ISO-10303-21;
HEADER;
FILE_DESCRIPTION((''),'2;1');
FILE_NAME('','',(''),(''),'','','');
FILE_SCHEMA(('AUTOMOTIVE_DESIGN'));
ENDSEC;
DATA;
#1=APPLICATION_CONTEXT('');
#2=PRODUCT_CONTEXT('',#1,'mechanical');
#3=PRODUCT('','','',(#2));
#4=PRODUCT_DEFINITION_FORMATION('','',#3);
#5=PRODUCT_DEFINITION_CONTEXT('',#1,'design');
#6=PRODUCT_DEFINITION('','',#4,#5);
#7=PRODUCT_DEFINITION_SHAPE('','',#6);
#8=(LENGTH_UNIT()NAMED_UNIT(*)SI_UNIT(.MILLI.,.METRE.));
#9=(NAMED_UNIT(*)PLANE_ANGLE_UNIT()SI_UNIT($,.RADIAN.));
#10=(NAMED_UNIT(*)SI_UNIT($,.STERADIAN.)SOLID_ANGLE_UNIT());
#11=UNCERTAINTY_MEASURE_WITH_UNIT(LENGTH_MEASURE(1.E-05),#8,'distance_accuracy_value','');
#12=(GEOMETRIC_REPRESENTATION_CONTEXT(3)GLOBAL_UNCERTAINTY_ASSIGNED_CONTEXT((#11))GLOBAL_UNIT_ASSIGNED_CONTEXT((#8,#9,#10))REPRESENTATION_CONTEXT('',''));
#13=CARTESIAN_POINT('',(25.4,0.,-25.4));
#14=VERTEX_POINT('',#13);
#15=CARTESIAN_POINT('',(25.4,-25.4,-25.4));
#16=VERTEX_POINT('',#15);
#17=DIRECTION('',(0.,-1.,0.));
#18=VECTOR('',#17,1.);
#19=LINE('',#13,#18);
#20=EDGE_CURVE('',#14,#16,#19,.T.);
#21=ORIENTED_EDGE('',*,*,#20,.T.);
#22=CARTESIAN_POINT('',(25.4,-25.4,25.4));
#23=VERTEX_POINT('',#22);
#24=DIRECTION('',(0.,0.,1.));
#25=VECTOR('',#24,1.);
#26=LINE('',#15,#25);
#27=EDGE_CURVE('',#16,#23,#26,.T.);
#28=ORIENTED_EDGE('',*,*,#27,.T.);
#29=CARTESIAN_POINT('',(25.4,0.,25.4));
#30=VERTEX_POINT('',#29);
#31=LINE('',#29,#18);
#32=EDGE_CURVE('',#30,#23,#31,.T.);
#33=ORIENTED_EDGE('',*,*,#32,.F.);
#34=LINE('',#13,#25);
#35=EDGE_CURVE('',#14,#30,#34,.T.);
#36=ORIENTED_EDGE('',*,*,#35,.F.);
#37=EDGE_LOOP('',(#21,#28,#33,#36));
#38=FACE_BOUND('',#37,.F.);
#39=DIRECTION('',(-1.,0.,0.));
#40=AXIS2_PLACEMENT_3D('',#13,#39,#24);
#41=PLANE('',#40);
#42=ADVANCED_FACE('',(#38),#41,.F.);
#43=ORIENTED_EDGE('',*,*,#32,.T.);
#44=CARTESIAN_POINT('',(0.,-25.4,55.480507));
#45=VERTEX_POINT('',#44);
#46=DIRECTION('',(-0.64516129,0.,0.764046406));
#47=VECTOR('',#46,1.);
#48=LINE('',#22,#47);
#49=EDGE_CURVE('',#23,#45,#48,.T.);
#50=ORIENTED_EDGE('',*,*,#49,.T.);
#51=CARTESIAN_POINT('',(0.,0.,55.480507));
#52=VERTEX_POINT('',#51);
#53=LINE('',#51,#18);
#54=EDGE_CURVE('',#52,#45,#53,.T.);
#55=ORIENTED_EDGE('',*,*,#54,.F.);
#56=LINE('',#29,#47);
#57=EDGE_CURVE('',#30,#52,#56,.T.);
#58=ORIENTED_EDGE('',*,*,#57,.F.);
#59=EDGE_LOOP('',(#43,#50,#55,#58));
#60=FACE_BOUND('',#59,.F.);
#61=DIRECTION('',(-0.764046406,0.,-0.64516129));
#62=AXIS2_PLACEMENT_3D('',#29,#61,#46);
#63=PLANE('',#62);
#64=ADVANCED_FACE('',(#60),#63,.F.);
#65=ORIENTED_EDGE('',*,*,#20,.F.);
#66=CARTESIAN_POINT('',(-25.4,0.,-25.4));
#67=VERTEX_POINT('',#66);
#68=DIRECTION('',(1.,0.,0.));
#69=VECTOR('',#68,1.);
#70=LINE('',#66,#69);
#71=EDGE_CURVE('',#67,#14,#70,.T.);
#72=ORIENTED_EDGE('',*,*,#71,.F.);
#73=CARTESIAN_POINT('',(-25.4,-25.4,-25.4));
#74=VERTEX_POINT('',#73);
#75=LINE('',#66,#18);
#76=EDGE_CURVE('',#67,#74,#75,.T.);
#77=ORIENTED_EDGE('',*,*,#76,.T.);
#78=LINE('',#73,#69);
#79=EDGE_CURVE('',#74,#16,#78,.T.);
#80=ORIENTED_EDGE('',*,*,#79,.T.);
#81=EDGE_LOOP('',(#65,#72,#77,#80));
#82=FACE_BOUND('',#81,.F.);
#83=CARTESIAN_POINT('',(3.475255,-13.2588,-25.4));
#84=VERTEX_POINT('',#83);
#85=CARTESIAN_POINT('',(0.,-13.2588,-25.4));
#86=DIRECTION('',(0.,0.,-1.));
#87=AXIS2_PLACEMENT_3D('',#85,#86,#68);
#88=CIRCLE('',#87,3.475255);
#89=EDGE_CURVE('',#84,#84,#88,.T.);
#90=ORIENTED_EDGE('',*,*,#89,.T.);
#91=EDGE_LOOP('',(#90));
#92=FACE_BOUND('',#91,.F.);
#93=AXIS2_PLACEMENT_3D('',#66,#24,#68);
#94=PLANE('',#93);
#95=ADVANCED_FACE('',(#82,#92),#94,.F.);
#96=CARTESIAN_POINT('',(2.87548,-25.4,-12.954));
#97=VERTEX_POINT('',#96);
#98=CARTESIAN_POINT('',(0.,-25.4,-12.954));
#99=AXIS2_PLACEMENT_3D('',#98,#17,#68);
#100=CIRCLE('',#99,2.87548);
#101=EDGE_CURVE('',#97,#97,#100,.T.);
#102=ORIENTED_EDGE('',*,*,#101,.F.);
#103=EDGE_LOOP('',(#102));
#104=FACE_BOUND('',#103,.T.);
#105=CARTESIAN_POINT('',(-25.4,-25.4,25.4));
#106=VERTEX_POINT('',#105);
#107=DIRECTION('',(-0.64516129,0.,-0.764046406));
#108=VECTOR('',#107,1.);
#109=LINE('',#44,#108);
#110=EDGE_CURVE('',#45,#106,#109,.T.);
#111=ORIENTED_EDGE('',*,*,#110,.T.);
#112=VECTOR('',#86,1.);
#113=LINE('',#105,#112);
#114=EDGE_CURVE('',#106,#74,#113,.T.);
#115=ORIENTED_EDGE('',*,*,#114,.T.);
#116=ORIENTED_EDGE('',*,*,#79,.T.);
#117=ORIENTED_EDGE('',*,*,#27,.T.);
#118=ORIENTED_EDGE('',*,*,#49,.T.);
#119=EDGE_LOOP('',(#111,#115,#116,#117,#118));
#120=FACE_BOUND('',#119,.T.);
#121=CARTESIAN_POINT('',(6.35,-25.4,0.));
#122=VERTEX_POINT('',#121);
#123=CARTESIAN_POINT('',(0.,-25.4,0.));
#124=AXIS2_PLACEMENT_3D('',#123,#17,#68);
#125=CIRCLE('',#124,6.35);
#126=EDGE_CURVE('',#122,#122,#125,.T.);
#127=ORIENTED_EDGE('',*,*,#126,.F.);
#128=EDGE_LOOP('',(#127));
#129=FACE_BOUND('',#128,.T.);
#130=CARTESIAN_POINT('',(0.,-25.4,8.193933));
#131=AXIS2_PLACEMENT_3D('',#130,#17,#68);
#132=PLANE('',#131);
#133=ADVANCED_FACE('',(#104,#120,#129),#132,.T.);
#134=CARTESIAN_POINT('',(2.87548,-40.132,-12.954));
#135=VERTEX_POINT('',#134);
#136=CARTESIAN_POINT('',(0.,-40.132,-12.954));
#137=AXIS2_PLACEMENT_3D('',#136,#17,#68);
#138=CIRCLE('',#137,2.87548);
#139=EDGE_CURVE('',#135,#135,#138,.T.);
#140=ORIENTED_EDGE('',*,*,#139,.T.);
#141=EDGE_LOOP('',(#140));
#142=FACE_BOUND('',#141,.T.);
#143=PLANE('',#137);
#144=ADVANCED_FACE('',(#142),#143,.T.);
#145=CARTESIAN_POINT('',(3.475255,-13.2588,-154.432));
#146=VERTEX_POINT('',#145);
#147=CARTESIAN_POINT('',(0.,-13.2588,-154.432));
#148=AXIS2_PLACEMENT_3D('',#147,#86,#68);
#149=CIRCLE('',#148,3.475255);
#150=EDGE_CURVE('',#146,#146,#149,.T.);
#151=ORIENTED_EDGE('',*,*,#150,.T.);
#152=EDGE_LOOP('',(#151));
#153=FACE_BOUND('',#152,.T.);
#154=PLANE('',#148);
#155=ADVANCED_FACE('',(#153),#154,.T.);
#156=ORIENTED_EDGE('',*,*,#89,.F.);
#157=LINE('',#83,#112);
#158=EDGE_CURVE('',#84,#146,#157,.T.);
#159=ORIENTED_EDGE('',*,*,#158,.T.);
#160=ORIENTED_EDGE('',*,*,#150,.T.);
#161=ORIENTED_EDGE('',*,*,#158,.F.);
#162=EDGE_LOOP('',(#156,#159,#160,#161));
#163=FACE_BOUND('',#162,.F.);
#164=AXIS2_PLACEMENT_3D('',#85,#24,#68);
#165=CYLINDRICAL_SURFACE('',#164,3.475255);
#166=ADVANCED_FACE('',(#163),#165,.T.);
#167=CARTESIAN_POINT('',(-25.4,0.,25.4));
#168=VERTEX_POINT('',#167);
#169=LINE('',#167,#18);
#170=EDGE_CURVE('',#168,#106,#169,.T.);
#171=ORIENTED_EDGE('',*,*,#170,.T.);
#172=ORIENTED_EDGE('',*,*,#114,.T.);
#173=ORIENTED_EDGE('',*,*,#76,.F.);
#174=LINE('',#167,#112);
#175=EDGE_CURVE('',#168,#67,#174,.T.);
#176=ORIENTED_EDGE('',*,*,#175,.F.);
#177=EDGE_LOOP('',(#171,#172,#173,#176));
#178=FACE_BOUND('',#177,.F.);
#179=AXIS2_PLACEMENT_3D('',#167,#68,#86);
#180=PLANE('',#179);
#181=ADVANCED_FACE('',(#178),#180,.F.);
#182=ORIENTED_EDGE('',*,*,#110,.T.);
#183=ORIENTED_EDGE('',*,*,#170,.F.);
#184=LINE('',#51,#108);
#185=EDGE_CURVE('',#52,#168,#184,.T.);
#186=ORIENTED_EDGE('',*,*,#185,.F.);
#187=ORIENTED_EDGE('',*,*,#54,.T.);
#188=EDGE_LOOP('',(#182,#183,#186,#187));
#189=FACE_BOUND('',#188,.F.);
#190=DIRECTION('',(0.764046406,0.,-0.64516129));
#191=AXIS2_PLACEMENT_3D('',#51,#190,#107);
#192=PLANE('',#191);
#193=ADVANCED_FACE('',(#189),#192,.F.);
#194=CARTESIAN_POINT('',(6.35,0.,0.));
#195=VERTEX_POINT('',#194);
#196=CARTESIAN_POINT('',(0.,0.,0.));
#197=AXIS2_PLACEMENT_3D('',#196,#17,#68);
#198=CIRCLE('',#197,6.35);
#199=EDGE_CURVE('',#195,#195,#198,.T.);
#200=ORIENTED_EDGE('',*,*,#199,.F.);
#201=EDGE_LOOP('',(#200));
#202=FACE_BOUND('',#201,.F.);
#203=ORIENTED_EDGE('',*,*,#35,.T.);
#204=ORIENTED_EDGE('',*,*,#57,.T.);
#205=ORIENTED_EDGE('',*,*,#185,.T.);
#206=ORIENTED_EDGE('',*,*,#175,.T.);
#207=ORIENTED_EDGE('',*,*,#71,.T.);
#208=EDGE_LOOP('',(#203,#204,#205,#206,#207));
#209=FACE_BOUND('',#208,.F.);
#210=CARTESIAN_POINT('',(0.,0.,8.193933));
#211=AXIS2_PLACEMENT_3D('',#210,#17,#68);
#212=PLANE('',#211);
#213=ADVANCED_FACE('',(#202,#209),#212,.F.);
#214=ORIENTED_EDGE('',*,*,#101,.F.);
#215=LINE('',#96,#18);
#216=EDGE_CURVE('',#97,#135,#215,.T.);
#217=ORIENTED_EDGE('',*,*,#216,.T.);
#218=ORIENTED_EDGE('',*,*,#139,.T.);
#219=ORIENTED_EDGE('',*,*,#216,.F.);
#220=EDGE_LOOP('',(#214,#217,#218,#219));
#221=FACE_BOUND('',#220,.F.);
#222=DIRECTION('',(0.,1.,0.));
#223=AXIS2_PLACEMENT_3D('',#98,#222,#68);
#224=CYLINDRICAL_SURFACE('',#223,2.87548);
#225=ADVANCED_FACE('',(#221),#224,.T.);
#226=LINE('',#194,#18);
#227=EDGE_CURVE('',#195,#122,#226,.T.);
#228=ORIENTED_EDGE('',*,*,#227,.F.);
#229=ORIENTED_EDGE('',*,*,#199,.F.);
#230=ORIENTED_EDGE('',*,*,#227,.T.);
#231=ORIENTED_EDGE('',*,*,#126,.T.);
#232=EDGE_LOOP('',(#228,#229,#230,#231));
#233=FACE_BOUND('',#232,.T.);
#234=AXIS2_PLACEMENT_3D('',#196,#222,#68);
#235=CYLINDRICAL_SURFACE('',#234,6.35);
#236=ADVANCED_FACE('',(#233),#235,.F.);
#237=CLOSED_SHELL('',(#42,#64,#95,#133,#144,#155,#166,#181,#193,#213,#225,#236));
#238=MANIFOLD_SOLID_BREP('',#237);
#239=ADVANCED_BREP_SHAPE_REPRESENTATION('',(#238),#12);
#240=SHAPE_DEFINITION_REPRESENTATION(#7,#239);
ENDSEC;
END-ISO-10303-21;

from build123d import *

# Parameters (mm, degrees)
F0_R     = 6.35
F1_DEPTH = 25.4
F2_R     = 2.87548
F3_DEPTH = 14.732
F4_R     = 3.475255
F5_DEPTH = 129.032


with BuildPart() as f1:
    # F0 (on Front) → F1 (new body)
    with BuildSketch(Plane.XZ):
        Polygon((-25.4, -25.4), (25.4, -25.4), (25.4, 25.4), (0, 55.480507), (-25.4, 25.4), align=None)
        Circle(F0_R, mode=Mode.SUBTRACT)
    extrude(amount=F1_DEPTH)

    # F2 (on face) → F3 (join)
    with BuildSketch(Plane.XZ.offset(25.4)):
        with Locations((0, -12.954)):
            Circle(F2_R)
    extrude(amount=F3_DEPTH)

    # F4 (on face) → F5 (join)
    with BuildSketch(Plane(origin=(0, 0, -25.4), x_dir=(1, 0, 0), z_dir=(0, 0, -1))):
        with Locations((0, 13.2588)):
            Circle(F4_R)
    extrude(amount=F5_DEPTH)


solid = f1.part
